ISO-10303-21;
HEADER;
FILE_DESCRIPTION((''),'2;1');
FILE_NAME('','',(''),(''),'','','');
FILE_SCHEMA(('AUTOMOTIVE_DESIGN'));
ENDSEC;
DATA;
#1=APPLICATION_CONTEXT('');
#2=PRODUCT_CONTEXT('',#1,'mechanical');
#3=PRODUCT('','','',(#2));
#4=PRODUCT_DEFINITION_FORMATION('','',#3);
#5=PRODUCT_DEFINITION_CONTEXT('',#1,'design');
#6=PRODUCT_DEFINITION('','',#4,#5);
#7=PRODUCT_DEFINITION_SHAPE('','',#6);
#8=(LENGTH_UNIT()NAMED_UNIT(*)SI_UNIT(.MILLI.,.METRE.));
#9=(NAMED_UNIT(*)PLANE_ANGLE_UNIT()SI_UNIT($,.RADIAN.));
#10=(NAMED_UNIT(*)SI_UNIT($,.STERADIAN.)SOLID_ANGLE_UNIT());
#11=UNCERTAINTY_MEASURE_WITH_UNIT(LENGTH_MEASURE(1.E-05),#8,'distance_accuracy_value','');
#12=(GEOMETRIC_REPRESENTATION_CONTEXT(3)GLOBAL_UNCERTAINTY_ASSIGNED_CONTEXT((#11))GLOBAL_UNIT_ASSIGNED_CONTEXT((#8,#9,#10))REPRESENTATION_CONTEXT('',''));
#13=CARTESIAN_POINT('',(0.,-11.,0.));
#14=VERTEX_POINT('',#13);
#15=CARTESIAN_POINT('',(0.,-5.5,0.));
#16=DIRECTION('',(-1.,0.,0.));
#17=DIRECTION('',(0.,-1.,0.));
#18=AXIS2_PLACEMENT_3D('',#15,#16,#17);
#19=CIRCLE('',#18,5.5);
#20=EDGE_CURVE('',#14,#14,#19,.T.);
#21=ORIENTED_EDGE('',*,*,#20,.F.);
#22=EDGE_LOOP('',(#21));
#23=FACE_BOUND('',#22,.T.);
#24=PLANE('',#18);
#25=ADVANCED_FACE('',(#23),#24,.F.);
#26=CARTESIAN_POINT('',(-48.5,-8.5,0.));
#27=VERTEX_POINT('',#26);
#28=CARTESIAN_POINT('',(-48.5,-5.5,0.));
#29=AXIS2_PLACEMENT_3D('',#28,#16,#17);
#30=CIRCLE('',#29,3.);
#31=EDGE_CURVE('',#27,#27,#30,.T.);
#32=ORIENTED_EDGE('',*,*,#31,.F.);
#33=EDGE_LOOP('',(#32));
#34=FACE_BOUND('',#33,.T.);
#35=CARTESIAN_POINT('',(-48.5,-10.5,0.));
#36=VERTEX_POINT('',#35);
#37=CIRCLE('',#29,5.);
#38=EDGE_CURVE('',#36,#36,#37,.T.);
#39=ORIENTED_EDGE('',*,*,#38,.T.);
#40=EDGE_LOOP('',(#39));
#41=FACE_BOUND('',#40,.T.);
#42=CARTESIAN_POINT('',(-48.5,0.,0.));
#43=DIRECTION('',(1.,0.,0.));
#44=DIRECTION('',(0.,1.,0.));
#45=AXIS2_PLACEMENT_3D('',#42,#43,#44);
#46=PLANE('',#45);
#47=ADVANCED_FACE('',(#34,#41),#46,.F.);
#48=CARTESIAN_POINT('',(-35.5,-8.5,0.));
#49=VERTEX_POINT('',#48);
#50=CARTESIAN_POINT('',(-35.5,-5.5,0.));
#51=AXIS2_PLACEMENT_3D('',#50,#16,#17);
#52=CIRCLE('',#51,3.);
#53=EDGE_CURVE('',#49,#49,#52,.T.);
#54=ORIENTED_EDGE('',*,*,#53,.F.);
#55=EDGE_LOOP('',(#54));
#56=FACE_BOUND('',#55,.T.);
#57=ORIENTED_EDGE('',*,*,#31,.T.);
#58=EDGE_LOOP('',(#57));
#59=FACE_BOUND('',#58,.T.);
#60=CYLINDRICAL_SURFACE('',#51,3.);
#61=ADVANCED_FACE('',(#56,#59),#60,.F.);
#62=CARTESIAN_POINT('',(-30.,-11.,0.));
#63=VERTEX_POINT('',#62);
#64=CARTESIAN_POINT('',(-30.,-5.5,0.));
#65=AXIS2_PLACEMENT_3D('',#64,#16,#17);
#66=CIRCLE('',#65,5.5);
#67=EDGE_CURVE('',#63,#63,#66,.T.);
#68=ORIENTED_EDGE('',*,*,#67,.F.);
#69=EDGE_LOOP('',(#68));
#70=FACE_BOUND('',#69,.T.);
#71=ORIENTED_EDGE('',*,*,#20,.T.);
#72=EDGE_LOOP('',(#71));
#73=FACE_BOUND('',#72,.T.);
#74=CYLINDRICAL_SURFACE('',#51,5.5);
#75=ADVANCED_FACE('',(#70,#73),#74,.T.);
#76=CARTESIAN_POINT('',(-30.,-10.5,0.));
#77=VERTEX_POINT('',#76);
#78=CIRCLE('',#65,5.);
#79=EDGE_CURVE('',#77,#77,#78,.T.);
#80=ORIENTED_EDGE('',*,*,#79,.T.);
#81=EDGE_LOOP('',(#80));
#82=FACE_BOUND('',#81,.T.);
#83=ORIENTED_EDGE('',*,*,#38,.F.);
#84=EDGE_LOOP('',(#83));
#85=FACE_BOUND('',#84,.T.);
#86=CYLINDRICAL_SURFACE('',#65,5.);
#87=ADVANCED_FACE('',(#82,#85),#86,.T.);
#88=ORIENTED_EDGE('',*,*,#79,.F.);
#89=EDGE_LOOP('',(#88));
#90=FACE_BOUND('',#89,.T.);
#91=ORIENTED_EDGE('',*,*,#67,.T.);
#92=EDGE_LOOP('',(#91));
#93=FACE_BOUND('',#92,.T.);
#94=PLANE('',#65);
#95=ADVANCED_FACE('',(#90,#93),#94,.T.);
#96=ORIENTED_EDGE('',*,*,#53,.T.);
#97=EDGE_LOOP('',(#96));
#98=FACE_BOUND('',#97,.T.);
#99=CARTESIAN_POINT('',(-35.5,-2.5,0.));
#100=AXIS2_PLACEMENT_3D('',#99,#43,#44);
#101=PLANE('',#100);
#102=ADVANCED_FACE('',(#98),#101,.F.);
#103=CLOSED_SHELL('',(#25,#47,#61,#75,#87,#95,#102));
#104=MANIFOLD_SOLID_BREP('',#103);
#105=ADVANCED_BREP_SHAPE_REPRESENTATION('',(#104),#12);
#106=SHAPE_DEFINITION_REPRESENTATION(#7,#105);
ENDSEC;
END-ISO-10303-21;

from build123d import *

# Parameters (mm, degrees)
ESQUISSE2_OUTSIDE_W = 23.186
ESQUISSE2_OUTSIDE_H = 23.186
ESQUISSE2_OUTSIDE_R = 5
EXTRUSION1_DEPTH    = 18.5


with BuildPart() as part:
    # Esquisse1 → Révolution1 (revolve)
    with BuildSketch(Plane.XY, mode=Mode.PRIVATE) as r_volution1_sk:
        Polygon((0, 0), (-48.5, 0), (-48.5, -2.5), (-35.5, -2.5), (-35.5, -5.5), (0, -5.5), align=None)
    revolve(r_volution1_sk.sketch.rotate(Axis((-35.5, -5.5, 0), (1, 0, 0)), 180), axis=Axis((-35.5, -5.5, 0), (1, 0, 0)))

    # Esquisse2 outside → Extrusion1 (cut)
    with BuildSketch(Plane.ZY.offset(48.5)):
        with Locations((0, -5.5)):
            Rectangle(ESQUISSE2_OUTSIDE_W, ESQUISSE2_OUTSIDE_H)
        with Locations(Location((0, -5.5, 0), (0, 0, 270))):
            Circle(ESQUISSE2_OUTSIDE_R, mode=Mode.SUBTRACT)
    extrude(amount=-EXTRUSION1_DEPTH, mode=Mode.SUBTRACT)


solid = part.part
